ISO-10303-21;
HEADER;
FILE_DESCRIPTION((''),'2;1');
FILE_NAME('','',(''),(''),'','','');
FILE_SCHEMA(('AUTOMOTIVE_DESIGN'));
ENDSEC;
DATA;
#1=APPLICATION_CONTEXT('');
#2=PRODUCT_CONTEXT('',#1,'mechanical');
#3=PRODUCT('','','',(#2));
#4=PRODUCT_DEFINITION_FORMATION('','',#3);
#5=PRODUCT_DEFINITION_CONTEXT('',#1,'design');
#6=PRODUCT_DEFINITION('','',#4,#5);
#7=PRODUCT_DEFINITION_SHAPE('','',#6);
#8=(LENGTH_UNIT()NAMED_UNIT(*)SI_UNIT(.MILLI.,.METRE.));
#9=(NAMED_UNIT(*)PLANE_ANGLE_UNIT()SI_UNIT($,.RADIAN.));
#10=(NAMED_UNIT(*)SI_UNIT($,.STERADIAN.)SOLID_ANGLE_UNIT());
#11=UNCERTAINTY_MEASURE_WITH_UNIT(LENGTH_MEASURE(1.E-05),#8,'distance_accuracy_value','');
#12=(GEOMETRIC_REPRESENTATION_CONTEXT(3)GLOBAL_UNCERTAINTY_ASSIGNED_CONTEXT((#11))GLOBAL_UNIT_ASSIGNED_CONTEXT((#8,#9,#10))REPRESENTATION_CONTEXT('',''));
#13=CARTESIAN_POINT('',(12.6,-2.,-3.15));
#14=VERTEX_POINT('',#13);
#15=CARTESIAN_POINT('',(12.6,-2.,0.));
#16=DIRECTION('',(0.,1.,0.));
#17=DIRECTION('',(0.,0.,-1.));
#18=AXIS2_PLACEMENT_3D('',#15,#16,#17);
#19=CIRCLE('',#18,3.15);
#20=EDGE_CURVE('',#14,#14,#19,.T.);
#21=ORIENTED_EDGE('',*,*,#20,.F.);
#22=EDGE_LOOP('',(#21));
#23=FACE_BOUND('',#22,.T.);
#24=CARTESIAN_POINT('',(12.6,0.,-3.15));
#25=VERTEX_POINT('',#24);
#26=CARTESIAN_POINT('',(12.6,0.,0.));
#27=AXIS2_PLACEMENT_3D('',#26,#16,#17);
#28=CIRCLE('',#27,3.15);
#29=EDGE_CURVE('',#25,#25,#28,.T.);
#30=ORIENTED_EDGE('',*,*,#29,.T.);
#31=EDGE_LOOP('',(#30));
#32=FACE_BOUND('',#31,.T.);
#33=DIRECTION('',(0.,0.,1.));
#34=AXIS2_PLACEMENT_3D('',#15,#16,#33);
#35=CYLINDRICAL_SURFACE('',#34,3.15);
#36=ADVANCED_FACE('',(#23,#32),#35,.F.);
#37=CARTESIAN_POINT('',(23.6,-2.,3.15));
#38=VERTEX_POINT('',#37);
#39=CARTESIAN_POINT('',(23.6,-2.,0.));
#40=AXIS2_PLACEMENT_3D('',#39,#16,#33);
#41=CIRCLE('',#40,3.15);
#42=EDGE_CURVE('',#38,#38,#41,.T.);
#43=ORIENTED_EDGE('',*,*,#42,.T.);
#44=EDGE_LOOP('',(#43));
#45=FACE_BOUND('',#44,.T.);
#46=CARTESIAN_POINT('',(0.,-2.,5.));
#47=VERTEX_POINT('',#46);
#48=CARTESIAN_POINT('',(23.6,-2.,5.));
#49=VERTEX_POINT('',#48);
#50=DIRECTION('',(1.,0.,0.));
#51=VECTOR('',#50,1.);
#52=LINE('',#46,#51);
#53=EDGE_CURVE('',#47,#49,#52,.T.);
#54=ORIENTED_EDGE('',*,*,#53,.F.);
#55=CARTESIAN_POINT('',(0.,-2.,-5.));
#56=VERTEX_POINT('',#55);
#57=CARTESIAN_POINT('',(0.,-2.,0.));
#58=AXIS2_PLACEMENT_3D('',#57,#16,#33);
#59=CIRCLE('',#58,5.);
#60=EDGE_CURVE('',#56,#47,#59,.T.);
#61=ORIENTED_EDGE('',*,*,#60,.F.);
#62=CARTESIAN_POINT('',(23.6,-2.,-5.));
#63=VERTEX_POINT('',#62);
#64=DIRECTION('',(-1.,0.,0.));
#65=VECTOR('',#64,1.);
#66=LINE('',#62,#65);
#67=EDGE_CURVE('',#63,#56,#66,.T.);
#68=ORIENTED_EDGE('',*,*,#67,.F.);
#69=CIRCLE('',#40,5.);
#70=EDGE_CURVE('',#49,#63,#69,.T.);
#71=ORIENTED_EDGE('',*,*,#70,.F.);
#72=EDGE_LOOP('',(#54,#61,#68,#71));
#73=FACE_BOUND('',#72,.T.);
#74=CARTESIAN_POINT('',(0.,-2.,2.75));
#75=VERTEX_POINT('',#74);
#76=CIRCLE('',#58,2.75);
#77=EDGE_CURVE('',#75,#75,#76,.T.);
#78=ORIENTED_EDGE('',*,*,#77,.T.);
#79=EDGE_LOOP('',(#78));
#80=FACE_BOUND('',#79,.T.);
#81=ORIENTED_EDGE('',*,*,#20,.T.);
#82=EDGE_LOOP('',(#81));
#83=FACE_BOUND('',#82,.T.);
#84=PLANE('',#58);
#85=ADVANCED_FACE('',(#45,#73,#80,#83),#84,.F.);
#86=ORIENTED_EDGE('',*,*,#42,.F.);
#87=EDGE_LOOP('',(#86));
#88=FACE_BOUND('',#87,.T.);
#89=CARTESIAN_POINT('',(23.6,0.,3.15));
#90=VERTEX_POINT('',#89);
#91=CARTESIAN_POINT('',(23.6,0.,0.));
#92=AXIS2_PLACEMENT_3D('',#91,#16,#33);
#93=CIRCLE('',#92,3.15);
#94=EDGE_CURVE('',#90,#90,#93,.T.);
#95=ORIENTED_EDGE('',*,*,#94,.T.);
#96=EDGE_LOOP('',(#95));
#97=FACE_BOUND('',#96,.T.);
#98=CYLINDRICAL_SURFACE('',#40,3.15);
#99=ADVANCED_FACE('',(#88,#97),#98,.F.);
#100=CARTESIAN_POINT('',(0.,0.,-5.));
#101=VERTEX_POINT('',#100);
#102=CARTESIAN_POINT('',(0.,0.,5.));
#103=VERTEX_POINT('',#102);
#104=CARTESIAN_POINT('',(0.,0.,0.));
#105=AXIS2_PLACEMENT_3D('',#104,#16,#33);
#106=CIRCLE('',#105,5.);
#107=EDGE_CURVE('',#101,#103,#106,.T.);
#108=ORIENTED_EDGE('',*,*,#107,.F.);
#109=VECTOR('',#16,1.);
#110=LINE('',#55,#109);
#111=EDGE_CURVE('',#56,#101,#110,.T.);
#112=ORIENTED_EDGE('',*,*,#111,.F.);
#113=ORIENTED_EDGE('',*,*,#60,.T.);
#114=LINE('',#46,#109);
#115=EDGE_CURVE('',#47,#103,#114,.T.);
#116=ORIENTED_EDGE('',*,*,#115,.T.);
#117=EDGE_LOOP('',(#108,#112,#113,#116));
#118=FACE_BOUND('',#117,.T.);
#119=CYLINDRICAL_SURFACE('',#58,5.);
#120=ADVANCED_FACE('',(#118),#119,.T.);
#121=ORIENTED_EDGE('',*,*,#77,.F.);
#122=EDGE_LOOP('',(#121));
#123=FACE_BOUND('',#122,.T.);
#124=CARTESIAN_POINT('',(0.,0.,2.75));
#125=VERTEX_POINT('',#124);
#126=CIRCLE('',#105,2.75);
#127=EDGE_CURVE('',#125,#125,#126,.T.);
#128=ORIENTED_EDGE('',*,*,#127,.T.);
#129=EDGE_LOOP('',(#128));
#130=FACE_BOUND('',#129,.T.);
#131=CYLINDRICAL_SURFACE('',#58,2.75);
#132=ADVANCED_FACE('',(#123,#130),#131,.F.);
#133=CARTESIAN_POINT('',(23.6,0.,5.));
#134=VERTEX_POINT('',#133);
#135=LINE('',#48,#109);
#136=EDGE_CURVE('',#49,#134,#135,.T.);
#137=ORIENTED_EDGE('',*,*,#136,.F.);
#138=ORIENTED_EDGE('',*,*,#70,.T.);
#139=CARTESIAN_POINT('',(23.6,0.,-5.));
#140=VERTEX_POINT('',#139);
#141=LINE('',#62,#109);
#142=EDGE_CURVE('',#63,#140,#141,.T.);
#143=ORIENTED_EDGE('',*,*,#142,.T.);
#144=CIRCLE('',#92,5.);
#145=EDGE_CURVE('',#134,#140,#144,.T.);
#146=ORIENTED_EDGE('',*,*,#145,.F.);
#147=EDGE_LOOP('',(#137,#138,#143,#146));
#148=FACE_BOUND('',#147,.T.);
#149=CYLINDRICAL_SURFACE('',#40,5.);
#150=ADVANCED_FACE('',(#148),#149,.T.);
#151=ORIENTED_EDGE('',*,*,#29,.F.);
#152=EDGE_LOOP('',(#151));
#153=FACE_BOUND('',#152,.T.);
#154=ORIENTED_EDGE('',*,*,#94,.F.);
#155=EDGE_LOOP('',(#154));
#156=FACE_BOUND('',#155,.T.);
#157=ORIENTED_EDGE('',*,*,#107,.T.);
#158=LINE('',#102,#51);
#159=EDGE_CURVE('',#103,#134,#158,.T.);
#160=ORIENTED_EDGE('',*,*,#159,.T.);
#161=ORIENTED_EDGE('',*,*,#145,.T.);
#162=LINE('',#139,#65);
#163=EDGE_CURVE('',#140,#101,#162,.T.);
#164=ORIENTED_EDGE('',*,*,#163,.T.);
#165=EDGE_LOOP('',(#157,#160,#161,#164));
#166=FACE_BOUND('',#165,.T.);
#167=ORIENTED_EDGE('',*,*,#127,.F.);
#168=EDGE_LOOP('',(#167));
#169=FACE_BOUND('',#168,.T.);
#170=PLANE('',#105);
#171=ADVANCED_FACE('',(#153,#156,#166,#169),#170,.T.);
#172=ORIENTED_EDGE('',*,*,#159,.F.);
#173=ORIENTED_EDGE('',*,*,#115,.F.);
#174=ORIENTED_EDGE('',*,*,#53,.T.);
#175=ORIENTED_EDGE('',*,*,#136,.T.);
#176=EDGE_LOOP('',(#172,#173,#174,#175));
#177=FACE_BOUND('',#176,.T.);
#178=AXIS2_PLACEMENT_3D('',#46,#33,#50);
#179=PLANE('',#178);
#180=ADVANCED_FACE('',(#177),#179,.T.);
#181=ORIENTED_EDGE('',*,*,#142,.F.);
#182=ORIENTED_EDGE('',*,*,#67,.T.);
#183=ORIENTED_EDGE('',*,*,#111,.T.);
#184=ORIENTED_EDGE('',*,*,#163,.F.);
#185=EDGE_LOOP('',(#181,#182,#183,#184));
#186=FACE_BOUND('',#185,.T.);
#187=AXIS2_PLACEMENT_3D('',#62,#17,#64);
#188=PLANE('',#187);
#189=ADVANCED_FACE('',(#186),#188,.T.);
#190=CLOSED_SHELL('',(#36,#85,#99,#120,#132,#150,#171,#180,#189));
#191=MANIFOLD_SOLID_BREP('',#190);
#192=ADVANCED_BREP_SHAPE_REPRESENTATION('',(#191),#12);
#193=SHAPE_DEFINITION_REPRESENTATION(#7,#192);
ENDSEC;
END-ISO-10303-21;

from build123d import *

# Parameters (mm, degrees)
SKETCH2_R           = 3.15
SKETCH2_R_2         = 2.75
BOSS_EXTRUDE1_DEPTH = 2


with BuildPart() as part:
    # Sketch2 → Boss-Extrude1 (new body)
    with BuildSketch(Plane(origin=(0, 0, 0), x_dir=(1, 0, 0), z_dir=(0, 1, 0))):
        with BuildLine():
            Line((23.6, 5), (0, 5))
            ThreePointArc((0, 5), (-5, 0), (0, -5))
            Line((0, -5), (23.6, -5))
            ThreePointArc((23.6, -5), (28.6, 0), (23.6, 5))
        make_face()
        with Locations(Location((23.6, 0, 0), (0, 0, 270))):
            Circle(SKETCH2_R, mode=Mode.SUBTRACT)
        with Locations(Location((12.6, 0, 0), (0, 0, 90))):
            Circle(SKETCH2_R, mode=Mode.SUBTRACT)
        with Locations(Location((0, 0, 0), (0, 0, 270))):
            Circle(SKETCH2_R_2, mode=Mode.SUBTRACT)
    extrude(amount=-BOSS_EXTRUDE1_DEPTH)


solid = part.part
